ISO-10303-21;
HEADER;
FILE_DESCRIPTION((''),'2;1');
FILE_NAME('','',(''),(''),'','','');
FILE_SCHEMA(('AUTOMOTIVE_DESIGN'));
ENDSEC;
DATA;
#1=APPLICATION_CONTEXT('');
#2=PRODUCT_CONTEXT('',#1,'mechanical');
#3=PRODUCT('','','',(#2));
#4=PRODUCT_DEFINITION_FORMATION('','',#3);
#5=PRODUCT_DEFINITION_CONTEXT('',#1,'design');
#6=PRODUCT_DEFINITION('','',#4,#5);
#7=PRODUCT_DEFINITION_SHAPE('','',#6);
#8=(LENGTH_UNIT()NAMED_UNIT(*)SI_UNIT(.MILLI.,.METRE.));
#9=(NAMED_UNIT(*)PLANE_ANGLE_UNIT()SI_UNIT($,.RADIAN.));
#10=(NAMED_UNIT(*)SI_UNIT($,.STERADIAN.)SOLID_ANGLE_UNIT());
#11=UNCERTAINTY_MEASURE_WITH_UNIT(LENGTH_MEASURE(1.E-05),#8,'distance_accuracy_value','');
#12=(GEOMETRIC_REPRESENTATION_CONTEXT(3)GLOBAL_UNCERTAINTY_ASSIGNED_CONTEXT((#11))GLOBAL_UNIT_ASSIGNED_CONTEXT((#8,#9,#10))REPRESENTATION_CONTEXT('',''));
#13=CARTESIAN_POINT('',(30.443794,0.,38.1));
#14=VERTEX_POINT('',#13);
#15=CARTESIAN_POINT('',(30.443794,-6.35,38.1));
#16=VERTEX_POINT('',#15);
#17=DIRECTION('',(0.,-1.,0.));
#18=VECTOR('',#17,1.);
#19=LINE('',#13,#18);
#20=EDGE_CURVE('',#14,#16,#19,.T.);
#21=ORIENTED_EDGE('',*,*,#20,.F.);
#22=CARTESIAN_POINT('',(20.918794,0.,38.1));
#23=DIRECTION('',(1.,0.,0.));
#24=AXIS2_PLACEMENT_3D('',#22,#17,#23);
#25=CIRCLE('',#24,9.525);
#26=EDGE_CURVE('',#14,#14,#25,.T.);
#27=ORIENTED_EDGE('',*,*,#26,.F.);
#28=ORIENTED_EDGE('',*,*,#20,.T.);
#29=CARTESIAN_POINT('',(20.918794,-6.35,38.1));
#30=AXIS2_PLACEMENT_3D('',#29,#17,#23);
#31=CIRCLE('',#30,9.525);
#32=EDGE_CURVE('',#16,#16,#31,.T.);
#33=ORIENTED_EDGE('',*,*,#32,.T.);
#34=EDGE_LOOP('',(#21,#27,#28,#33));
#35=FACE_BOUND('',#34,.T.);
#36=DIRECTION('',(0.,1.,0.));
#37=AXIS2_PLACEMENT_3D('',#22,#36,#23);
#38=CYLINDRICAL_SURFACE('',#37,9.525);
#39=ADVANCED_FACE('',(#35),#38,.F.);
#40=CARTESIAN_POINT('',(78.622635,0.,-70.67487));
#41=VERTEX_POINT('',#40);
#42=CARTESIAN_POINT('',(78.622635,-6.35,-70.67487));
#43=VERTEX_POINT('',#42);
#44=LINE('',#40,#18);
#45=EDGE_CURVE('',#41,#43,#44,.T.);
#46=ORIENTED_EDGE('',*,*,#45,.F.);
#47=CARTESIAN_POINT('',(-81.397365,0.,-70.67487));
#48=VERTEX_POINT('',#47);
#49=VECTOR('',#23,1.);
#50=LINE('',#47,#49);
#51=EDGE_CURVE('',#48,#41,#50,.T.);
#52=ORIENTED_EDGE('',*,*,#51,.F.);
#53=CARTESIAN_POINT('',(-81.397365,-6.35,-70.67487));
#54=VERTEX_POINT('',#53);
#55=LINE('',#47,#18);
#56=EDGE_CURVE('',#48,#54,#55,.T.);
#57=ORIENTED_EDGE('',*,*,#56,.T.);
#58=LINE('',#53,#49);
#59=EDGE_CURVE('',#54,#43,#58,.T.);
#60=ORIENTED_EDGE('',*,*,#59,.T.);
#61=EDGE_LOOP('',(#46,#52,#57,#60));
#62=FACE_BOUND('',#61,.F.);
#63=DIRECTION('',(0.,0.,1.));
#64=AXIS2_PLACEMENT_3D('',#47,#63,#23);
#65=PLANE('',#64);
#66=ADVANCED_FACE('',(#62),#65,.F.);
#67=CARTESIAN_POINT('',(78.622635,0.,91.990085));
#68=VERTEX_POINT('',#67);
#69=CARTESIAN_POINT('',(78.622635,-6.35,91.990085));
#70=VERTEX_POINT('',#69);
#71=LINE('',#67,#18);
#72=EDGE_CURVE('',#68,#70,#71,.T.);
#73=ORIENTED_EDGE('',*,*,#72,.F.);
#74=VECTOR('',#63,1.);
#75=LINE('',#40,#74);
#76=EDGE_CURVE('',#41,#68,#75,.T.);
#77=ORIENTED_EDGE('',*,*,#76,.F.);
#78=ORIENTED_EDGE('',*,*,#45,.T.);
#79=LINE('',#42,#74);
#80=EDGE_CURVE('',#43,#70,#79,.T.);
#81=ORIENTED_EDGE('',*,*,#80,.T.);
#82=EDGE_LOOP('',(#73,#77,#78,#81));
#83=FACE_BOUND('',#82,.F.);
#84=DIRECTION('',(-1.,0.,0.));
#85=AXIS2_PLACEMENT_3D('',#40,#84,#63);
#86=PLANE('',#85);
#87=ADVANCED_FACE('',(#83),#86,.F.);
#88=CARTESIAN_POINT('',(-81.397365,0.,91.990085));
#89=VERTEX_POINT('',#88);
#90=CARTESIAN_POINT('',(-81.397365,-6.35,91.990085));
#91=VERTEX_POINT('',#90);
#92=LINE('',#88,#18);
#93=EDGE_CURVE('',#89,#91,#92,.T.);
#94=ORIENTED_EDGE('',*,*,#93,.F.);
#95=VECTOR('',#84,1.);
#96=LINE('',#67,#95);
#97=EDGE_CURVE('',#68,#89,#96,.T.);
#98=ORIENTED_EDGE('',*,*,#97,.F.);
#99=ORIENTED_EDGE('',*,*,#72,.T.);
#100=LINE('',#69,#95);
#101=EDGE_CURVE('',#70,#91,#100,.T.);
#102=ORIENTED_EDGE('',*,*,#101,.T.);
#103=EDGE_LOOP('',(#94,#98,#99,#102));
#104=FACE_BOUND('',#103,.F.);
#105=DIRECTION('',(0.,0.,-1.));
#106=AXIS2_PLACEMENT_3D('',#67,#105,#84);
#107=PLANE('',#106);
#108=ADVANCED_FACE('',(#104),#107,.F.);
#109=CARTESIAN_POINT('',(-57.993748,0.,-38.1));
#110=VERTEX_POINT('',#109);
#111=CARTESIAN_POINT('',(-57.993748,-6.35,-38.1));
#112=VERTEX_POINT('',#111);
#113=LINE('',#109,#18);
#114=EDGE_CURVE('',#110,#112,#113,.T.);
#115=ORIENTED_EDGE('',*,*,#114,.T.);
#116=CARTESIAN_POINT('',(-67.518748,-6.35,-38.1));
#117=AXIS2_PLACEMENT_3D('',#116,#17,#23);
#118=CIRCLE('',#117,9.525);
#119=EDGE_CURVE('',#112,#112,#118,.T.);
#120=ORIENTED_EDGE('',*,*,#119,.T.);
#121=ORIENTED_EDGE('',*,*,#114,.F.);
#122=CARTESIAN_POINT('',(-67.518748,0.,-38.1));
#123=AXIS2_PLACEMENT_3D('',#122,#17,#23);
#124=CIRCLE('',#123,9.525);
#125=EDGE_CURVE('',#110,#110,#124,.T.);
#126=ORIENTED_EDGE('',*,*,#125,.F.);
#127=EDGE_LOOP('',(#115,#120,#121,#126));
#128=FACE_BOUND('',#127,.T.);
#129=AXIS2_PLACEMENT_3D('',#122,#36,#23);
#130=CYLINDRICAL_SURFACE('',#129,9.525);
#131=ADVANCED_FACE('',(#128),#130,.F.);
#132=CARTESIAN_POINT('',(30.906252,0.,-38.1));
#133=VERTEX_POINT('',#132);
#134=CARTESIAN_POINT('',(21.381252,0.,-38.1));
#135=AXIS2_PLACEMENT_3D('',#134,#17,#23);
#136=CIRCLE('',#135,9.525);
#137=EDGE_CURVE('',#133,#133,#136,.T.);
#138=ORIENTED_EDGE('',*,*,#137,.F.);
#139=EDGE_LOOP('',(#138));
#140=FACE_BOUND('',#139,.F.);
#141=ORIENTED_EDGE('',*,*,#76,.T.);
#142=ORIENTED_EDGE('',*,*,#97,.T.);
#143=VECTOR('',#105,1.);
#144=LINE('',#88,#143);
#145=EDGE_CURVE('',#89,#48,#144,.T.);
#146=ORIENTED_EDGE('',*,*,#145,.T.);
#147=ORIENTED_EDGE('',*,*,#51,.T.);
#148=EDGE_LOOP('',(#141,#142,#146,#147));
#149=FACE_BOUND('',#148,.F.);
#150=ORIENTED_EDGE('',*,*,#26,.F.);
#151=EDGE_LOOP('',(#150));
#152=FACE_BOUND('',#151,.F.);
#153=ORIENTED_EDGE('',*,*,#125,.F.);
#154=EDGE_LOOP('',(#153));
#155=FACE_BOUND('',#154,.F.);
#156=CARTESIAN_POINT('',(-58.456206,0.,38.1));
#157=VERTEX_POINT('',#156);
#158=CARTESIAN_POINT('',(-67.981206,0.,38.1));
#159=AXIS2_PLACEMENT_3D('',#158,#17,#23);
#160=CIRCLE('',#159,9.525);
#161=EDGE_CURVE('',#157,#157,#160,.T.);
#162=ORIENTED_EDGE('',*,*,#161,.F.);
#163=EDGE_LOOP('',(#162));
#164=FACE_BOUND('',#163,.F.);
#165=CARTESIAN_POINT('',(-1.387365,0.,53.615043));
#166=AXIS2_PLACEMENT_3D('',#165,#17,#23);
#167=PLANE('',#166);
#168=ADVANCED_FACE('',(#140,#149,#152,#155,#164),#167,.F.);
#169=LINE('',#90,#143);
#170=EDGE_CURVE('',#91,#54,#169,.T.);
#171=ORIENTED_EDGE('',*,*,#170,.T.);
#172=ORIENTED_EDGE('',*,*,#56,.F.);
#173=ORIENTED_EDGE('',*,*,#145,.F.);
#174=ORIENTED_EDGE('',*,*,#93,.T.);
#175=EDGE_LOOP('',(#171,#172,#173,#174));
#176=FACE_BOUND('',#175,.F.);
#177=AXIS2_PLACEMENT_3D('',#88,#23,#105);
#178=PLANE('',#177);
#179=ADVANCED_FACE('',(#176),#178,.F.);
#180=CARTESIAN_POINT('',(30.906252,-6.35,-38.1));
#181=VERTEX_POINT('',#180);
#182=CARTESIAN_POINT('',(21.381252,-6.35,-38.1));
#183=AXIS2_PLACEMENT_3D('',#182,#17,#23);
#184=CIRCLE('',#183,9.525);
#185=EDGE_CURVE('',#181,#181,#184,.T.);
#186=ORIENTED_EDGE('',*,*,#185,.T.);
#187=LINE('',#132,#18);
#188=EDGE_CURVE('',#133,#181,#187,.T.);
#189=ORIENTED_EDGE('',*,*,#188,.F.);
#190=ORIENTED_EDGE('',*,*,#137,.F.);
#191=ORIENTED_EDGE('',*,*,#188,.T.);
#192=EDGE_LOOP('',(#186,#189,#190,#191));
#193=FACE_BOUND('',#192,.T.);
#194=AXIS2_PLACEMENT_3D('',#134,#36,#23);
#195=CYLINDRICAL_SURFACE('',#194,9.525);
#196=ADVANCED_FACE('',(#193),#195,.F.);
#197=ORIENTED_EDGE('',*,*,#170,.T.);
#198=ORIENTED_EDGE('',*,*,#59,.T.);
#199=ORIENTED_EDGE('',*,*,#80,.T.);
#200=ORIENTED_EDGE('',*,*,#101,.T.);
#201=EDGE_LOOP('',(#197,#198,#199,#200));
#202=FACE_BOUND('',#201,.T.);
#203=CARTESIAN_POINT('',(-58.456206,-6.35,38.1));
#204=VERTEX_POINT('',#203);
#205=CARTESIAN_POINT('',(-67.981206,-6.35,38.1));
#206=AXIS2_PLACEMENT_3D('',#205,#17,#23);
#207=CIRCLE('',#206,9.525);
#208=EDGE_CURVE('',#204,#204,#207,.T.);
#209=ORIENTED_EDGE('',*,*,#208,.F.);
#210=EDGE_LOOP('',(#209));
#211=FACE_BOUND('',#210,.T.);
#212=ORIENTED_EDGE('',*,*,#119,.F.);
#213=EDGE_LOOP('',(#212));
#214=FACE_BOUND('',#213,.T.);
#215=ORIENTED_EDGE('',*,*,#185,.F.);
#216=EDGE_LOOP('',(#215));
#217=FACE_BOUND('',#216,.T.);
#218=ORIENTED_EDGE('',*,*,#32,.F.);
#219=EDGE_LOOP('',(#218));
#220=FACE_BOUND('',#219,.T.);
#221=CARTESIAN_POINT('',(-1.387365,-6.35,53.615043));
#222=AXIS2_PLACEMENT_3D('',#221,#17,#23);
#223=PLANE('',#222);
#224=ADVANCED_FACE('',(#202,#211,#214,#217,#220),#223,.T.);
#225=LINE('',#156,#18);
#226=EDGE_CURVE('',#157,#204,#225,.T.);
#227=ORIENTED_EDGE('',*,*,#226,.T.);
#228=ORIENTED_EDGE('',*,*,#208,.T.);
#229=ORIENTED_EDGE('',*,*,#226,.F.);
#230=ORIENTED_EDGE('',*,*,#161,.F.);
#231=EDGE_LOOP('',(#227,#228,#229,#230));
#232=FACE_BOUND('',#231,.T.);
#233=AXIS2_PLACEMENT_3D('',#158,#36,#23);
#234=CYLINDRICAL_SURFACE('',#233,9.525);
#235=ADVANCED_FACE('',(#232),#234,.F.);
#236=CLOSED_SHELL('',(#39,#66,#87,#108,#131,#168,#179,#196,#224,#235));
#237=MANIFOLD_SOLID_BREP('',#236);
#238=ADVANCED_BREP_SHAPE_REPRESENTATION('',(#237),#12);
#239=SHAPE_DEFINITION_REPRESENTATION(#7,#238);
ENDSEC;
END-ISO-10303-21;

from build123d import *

# Parameters (mm, degrees)
F0_R     = 9.525
F0_W     = 136.144
F0_H     = 30.48
F0_W_2   = 23.876
F1_DEPTH = 6.35


with BuildPart() as f1:
    # F0 (on Front) → F1 (new body)
    with BuildSketch(Plane.XZ):
        Polygon((78.622635, 91.990085), (-81.397365, 91.990085), (-81.397365, 15.24), (54.746635, 15.24), (78.622635, 15.24), align=None)
        with Locations((-67.981206, 38.1)):
            Circle(F0_R, mode=Mode.SUBTRACT)
        with Locations((20.918794, 38.1)):
            Circle(F0_R, mode=Mode.SUBTRACT)
        with Locations((-13.325365, 0)):
            Rectangle(F0_W, F0_H)
        with Locations((66.684635, 0)):
            Rectangle(F0_W_2, F0_H)
        Polygon((54.746635, -15.24), (-81.397365, -15.24), (-81.397365, -70.67487), (78.622635, -70.67487), (78.622635, -15.24), align=None)
        with Locations((-67.518748, -38.1)):
            Circle(F0_R, mode=Mode.SUBTRACT)
        with Locations((21.381252, -38.1)):
            Circle(F0_R, mode=Mode.SUBTRACT)
    extrude(amount=F1_DEPTH)


solid = f1.part
